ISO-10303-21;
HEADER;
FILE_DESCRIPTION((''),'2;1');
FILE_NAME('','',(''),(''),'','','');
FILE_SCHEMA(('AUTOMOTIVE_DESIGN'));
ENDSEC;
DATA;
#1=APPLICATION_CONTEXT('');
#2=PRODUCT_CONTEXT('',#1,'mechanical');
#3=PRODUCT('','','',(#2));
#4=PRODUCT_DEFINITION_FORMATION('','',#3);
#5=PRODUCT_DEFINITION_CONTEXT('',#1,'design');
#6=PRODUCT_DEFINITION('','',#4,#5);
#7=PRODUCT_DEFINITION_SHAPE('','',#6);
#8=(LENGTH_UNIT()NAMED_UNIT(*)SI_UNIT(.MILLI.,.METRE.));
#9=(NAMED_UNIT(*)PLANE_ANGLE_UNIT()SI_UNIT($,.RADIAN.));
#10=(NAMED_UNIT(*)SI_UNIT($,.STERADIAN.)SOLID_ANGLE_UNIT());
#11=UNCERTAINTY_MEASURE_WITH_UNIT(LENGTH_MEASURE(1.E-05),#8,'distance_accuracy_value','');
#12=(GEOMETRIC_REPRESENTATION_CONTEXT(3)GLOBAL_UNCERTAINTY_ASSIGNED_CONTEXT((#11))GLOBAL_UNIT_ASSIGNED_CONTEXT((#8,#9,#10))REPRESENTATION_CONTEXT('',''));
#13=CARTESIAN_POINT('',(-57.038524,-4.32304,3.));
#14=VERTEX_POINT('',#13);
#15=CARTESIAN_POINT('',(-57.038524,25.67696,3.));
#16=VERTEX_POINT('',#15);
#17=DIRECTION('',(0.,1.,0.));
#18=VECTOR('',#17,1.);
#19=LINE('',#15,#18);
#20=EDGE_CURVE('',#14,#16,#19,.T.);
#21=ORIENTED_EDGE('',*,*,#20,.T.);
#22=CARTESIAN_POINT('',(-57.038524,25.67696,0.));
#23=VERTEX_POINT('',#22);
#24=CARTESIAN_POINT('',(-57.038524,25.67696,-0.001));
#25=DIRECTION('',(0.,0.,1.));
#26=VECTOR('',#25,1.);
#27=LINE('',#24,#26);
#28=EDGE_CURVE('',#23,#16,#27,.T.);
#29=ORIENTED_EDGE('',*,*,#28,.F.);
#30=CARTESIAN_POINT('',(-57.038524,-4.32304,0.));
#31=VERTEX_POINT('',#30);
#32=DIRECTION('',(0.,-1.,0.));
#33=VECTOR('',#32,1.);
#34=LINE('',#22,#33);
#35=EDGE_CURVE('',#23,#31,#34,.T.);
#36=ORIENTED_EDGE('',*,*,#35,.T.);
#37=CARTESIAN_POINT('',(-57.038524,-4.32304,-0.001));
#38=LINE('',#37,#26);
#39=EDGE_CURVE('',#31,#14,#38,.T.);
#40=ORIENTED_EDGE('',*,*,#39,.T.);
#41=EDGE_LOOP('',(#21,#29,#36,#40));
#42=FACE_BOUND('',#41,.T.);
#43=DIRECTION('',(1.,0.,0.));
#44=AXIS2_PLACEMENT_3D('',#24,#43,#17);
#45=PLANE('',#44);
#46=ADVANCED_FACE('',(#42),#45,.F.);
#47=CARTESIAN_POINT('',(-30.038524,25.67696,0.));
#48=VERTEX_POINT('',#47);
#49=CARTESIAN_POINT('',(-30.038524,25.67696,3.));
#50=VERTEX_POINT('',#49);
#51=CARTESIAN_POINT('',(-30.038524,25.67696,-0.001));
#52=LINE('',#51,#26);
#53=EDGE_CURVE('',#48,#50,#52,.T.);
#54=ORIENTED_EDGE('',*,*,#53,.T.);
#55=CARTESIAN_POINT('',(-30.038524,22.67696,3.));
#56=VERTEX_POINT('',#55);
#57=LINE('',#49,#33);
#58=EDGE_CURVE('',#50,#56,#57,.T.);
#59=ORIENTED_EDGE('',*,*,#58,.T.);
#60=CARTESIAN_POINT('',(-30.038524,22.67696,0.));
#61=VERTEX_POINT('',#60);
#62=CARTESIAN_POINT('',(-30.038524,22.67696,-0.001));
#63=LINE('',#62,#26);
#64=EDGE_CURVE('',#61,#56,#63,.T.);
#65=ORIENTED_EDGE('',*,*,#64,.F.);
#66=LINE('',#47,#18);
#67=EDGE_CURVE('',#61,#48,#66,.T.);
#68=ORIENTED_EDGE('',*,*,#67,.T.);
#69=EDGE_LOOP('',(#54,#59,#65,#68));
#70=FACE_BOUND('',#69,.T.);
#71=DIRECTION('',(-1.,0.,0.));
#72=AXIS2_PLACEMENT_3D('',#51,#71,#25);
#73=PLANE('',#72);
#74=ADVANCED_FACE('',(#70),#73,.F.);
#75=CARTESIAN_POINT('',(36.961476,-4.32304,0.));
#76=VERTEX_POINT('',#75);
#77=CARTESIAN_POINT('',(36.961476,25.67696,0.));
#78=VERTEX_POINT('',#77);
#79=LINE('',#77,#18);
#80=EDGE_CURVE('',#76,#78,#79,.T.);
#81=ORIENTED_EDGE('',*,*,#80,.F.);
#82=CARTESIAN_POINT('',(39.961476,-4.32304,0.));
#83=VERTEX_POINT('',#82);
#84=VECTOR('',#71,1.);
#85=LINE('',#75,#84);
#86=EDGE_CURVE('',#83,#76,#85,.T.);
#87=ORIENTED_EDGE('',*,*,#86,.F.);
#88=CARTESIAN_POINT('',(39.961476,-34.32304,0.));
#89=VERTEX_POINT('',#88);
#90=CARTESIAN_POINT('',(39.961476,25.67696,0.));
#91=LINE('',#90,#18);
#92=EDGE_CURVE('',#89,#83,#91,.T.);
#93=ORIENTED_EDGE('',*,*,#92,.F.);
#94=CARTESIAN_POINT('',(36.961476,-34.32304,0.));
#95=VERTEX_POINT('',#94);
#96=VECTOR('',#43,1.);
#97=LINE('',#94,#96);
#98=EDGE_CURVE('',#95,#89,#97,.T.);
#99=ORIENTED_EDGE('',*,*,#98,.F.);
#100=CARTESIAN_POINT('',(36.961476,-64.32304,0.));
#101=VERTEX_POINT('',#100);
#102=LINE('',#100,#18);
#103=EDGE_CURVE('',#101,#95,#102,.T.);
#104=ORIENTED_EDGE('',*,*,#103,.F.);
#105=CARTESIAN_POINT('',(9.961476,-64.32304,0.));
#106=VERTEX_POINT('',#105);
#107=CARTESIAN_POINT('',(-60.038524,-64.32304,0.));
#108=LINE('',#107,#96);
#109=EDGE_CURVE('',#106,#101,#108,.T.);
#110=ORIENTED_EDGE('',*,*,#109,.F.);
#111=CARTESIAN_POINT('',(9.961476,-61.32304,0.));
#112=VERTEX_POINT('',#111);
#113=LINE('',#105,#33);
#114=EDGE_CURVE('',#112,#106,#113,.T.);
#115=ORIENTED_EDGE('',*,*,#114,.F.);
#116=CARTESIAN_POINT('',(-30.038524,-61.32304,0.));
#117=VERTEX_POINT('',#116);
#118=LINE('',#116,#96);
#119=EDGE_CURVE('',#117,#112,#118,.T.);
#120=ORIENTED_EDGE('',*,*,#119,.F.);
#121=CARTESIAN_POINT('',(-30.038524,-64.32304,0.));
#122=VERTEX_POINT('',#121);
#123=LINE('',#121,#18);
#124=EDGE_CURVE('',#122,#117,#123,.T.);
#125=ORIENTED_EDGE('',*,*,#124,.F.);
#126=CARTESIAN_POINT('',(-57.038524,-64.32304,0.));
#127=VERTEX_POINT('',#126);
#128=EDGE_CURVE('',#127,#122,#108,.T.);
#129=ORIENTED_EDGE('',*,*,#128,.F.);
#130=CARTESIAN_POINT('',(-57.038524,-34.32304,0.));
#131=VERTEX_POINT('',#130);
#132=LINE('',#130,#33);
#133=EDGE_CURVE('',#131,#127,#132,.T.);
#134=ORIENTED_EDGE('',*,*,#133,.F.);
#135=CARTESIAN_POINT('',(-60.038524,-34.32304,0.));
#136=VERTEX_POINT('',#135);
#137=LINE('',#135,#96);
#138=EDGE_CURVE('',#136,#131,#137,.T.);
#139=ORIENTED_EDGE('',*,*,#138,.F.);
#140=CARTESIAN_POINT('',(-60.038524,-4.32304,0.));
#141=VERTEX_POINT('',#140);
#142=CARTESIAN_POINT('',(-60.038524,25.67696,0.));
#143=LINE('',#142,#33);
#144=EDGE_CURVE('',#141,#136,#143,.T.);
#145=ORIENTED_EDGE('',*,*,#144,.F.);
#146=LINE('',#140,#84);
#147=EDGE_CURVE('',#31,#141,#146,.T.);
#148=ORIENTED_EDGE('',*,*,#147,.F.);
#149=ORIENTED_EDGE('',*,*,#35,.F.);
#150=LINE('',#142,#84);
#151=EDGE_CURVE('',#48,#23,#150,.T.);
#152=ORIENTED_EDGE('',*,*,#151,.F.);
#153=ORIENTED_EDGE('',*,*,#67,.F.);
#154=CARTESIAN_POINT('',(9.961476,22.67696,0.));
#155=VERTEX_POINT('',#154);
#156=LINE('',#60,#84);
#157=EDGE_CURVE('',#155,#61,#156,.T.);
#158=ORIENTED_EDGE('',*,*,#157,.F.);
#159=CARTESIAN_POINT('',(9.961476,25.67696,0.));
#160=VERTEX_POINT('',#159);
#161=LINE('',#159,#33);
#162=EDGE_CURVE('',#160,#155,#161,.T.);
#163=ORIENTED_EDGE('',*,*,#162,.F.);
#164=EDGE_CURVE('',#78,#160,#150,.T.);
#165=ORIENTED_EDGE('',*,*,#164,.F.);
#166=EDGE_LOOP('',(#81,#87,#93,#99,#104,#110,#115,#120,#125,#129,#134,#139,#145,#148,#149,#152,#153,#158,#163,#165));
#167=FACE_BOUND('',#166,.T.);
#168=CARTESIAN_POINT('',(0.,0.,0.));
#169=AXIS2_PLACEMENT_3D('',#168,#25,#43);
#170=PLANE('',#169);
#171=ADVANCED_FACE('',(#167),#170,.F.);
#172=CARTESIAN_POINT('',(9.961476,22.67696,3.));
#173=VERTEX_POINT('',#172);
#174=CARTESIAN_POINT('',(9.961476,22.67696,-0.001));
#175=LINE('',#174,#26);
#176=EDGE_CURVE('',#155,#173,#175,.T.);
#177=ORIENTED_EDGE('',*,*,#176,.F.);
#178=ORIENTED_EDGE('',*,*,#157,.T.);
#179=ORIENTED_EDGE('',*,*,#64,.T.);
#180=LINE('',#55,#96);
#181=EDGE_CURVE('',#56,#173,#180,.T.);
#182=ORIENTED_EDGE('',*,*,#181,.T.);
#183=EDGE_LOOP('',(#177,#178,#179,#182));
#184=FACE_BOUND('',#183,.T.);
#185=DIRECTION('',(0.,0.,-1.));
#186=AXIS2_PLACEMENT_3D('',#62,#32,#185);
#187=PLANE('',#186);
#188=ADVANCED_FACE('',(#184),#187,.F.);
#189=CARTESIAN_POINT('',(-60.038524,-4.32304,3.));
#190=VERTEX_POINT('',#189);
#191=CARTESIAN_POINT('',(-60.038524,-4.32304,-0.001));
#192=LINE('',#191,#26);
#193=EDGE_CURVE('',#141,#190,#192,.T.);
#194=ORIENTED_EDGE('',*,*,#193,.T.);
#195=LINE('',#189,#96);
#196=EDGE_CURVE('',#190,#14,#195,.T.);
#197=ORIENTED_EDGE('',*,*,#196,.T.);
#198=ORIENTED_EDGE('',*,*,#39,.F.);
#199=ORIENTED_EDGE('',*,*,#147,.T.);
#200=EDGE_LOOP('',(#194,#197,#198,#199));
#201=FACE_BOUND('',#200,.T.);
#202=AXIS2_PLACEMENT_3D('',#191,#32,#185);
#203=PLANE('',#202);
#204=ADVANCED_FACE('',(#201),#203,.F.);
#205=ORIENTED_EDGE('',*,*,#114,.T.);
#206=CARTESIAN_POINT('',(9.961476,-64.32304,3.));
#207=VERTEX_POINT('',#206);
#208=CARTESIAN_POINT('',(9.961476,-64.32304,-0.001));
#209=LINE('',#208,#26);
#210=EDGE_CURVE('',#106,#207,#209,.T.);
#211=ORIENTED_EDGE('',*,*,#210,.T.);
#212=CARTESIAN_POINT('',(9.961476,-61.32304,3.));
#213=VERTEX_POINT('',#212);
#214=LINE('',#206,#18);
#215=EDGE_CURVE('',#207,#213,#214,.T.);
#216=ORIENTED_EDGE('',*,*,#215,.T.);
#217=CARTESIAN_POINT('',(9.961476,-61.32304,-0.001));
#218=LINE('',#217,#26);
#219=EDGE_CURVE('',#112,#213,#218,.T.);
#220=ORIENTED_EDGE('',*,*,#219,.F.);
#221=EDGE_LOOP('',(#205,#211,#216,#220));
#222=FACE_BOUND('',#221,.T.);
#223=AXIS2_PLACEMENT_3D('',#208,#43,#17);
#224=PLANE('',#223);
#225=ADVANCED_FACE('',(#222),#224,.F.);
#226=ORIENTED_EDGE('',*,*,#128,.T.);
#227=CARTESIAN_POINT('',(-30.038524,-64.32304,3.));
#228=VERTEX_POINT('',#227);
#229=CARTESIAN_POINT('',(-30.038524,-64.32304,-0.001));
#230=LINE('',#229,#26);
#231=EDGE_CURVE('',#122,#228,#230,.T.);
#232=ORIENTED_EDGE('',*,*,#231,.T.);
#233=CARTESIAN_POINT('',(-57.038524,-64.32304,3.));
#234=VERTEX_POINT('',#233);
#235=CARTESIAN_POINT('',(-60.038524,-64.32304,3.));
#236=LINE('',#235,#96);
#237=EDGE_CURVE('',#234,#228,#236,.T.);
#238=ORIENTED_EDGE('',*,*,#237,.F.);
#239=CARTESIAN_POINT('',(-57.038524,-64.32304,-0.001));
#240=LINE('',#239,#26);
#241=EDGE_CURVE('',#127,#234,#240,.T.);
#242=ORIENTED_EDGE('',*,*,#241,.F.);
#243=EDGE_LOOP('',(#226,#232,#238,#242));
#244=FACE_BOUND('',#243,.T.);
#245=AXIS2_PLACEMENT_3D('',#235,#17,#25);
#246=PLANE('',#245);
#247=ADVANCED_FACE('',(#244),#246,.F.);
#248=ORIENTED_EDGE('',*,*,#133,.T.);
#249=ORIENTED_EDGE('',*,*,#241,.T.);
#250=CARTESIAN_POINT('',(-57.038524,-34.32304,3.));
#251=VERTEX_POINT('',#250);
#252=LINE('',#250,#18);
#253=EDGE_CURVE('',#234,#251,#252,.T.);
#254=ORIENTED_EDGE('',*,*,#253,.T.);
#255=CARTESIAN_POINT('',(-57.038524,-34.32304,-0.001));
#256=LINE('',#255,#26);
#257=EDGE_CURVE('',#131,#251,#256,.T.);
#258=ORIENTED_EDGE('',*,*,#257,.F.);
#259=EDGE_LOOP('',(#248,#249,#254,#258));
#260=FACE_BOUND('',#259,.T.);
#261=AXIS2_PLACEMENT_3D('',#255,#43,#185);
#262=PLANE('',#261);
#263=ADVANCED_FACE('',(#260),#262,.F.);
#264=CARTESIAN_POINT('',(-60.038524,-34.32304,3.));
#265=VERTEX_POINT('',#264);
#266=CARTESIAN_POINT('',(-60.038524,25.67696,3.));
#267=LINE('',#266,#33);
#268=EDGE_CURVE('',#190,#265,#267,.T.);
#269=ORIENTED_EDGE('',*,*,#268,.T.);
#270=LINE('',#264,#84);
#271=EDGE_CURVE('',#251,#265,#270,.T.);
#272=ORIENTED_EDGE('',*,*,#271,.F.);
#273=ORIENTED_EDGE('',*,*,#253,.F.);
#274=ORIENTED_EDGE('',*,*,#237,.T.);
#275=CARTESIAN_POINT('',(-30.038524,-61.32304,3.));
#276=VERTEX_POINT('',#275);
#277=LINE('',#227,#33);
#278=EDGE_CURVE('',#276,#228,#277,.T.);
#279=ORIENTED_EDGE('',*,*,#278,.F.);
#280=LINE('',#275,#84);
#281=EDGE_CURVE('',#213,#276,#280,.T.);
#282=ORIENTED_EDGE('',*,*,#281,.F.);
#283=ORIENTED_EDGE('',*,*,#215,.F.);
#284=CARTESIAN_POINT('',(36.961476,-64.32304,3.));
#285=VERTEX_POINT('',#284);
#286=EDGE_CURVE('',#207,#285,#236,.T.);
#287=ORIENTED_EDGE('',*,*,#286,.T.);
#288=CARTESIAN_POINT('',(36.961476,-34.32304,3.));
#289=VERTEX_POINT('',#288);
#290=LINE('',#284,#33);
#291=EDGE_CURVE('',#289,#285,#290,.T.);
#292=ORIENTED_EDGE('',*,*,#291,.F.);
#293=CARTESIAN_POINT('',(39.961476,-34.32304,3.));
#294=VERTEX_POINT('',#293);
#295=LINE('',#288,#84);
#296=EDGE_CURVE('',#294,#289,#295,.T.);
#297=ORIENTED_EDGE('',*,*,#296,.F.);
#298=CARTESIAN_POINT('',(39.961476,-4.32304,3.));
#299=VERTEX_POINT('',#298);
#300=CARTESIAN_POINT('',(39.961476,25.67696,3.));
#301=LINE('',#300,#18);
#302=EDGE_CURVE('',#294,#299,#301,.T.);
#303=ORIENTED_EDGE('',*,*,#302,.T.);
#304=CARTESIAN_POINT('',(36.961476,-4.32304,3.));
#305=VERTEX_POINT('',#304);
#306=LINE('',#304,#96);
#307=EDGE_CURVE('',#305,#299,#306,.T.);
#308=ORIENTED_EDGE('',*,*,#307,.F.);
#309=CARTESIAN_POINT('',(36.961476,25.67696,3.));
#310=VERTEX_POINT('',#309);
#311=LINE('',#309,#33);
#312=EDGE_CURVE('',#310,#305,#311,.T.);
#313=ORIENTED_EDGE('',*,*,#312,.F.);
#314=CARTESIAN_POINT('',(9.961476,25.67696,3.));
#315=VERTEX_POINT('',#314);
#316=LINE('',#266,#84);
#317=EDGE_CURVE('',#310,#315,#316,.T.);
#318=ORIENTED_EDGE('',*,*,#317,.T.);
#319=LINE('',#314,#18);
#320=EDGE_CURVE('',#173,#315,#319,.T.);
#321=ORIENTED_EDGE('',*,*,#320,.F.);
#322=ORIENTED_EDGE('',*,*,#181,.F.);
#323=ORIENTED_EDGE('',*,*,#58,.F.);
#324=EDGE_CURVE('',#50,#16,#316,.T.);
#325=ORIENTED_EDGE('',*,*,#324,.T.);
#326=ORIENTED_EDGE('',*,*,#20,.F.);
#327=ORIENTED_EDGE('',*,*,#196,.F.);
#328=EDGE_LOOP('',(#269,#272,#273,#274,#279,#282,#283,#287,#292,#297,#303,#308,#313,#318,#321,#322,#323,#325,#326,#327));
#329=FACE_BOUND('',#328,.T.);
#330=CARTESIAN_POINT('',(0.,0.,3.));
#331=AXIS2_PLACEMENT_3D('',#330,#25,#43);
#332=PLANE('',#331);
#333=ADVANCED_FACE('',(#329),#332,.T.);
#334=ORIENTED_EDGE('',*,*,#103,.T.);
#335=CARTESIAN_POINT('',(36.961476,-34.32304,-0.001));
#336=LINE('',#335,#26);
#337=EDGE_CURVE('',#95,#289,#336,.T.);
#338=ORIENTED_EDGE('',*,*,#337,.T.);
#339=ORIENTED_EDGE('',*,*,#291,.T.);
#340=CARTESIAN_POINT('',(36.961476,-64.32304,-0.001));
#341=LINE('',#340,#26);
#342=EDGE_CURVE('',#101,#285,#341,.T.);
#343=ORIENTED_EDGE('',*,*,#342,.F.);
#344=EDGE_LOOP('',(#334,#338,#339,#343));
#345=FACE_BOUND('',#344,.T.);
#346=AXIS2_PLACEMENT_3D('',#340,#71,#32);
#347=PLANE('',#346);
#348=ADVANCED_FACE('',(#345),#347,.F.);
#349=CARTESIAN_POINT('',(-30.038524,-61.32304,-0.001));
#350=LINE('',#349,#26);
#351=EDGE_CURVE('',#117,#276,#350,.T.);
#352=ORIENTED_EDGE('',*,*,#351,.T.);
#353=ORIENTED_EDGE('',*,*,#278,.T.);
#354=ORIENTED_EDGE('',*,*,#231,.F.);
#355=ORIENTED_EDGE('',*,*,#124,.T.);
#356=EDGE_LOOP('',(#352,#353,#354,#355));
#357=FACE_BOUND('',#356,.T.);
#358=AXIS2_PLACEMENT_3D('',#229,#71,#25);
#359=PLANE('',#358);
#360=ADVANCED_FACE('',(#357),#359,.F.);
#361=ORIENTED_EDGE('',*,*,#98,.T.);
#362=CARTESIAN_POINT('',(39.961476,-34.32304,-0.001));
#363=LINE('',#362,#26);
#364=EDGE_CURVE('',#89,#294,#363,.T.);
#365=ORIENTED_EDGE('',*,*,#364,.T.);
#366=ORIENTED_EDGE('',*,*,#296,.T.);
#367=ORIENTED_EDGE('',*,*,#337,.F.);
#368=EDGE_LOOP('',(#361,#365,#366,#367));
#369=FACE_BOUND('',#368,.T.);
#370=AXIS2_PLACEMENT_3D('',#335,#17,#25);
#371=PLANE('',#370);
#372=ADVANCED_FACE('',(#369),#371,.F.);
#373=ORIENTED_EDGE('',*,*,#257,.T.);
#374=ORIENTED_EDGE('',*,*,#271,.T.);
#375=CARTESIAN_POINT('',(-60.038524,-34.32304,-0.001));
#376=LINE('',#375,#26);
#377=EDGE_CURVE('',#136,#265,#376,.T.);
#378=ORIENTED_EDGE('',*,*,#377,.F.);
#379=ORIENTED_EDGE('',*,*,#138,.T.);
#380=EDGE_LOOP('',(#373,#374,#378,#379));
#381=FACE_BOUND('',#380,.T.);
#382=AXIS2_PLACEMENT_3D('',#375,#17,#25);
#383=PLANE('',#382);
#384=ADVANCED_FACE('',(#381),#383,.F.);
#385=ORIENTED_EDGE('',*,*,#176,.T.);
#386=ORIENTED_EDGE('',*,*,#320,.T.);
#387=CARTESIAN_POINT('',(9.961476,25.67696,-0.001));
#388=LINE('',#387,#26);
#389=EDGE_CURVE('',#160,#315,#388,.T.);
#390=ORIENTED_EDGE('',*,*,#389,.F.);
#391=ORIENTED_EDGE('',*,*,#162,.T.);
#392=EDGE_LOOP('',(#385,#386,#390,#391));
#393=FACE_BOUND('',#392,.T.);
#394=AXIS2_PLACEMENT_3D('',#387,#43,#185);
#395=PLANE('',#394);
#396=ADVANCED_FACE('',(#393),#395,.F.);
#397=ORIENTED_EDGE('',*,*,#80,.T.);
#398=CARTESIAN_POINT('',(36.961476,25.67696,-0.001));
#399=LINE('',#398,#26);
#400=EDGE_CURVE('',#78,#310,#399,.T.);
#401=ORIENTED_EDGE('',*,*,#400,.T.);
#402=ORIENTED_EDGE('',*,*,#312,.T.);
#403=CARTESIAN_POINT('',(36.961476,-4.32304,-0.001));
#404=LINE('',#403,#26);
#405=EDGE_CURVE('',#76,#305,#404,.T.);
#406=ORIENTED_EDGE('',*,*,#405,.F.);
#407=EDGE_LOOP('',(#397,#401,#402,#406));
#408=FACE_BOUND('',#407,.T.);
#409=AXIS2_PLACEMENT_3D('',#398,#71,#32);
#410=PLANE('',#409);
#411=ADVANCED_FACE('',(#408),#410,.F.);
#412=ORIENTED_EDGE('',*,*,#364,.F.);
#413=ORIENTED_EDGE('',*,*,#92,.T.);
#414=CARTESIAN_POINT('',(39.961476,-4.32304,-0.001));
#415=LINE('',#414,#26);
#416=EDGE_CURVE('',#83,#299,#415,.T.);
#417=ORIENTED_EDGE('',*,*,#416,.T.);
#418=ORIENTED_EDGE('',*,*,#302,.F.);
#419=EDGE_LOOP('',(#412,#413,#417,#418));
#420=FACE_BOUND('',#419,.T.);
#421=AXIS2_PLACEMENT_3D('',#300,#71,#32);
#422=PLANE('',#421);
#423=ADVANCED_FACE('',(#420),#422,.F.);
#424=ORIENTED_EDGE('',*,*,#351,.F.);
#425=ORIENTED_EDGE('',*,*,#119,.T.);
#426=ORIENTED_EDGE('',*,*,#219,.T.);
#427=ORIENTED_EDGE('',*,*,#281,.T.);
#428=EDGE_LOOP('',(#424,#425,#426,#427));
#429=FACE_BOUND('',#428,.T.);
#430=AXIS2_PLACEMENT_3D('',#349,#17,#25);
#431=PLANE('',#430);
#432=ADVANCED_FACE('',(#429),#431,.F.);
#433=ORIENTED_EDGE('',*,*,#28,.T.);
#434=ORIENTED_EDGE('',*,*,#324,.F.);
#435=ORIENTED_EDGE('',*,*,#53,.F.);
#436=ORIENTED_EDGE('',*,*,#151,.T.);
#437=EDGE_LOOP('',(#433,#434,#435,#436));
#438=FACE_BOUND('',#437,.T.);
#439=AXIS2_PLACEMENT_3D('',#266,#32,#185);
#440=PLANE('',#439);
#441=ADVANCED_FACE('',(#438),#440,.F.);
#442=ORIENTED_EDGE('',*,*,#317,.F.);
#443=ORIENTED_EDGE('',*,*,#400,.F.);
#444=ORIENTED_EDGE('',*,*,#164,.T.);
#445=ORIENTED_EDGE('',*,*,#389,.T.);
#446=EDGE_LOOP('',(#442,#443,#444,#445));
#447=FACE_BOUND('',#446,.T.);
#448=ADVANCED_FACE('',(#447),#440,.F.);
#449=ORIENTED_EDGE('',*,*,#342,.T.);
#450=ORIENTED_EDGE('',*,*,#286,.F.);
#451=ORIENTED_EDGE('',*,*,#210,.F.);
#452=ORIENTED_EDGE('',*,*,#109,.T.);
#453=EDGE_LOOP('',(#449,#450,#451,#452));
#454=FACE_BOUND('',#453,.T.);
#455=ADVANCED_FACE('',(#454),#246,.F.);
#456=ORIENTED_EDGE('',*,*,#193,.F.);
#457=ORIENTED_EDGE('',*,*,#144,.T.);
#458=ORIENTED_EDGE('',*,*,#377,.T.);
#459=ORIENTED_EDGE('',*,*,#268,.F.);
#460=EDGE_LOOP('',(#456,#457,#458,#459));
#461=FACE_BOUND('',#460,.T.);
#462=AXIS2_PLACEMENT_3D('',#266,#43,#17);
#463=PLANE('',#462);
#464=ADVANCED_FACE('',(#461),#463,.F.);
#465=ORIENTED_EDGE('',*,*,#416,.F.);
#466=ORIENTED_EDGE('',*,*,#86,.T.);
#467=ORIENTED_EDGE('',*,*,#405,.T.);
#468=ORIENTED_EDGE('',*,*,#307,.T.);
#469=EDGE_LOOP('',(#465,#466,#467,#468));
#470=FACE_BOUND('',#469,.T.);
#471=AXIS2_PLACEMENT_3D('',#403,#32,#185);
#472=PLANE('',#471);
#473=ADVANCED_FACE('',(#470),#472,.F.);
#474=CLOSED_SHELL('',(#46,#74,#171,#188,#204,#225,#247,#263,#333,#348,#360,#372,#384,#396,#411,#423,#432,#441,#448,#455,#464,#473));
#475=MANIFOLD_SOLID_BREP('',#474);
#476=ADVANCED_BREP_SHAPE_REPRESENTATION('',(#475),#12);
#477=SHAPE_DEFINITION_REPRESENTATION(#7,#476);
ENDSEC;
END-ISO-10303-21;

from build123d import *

# Parameters (mm, degrees)
ESQUISSE1_W             = 100
ESQUISSE1_H             = 90
BOSS_EXTRU_1_DEPTH      = 3
ENL_V_MAT_EXTRU_1_REACH = 90.04
ESQUISSE2_W             = 40
ESQUISSE2_H             = 3
ESQUISSE2_W_2           = 3
ESQUISSE2_H_2           = 30


with BuildPart() as part:
    # Esquisse1 → Boss.-Extru.1 (new body)
    with BuildSketch(Plane.XY):
        with Locations((-10.038524431, -19.32304038)):
            Rectangle(ESQUISSE1_W, ESQUISSE1_H)
    extrude(amount=BOSS_EXTRU_1_DEPTH)

    # Esquisse2 → Enlèv. mat.-Extru.1 (cut, up to next)
    with BuildSketch(Plane.XY.offset(3), mode=Mode.PRIVATE) as enl_v_mat_extru_1_sk1:
        with Locations((-10.038524431, 24.17695962)):
            Rectangle(ESQUISSE2_W, ESQUISSE2_H)
    enl_v_mat_extru_1_tool1 = extrude(enl_v_mat_extru_1_sk1.sketch, amount=-ENL_V_MAT_EXTRU_1_REACH, mode=Mode.PRIVATE) & part.part
    # Esquisse2 → Enlèv. mat.-Extru.1 (cut, up to next)
    with BuildSketch(Plane.XY.offset(3), mode=Mode.PRIVATE) as enl_v_mat_extru_1_sk2:
        with Locations((-58.538524431, 10.67695962)):
            Rectangle(ESQUISSE2_W_2, ESQUISSE2_H_2)
    enl_v_mat_extru_1_tool2 = extrude(enl_v_mat_extru_1_sk2.sketch, amount=-ENL_V_MAT_EXTRU_1_REACH, mode=Mode.PRIVATE) & part.part
    # Esquisse2 → Enlèv. mat.-Extru.1 (cut, up to next)
    with BuildSketch(Plane.XY.offset(3), mode=Mode.PRIVATE) as enl_v_mat_extru_1_sk3:
        with Locations((-58.538524431, -49.32304038)):
            Rectangle(ESQUISSE2_W_2, ESQUISSE2_H_2)
    enl_v_mat_extru_1_tool3 = extrude(enl_v_mat_extru_1_sk3.sketch, amount=-ENL_V_MAT_EXTRU_1_REACH, mode=Mode.PRIVATE) & part.part
    # Esquisse2 → Enlèv. mat.-Extru.1 (cut, up to next)
    with BuildSketch(Plane.XY.offset(3), mode=Mode.PRIVATE) as enl_v_mat_extru_1_sk4:
        with Locations((-10.038524431, -62.82304038)):
            Rectangle(ESQUISSE2_W, ESQUISSE2_H)
    enl_v_mat_extru_1_tool4 = extrude(enl_v_mat_extru_1_sk4.sketch, amount=-ENL_V_MAT_EXTRU_1_REACH, mode=Mode.PRIVATE) & part.part
    # Esquisse2 → Enlèv. mat.-Extru.1 (cut, up to next)
    with BuildSketch(Plane.XY.offset(3), mode=Mode.PRIVATE) as enl_v_mat_extru_1_sk5:
        with Locations((38.461475569, -49.32304038)):
            Rectangle(ESQUISSE2_W_2, ESQUISSE2_H_2)
    enl_v_mat_extru_1_tool5 = extrude(enl_v_mat_extru_1_sk5.sketch, amount=-ENL_V_MAT_EXTRU_1_REACH, mode=Mode.PRIVATE) & part.part
    # Esquisse2 → Enlèv. mat.-Extru.1 (cut, up to next)
    with BuildSketch(Plane.XY.offset(3), mode=Mode.PRIVATE) as enl_v_mat_extru_1_sk6:
        with Locations((38.461475569, 10.67695962)):
            Rectangle(ESQUISSE2_W_2, ESQUISSE2_H_2)
    enl_v_mat_extru_1_tool6 = extrude(enl_v_mat_extru_1_sk6.sketch, amount=-ENL_V_MAT_EXTRU_1_REACH, mode=Mode.PRIVATE) & part.part
    add(enl_v_mat_extru_1_tool1.solids().sort_by_distance((-10.038524, 24.17696, 3))[0], mode=Mode.SUBTRACT)
    add(enl_v_mat_extru_1_tool2.solids().sort_by_distance((-58.538524, 10.67696, 3))[0], mode=Mode.SUBTRACT)
    add(enl_v_mat_extru_1_tool3.solids().sort_by_distance((-58.538524, -49.32304, 3))[0], mode=Mode.SUBTRACT)
    add(enl_v_mat_extru_1_tool4.solids().sort_by_distance((-10.038524, -62.82304, 3))[0], mode=Mode.SUBTRACT)
    add(enl_v_mat_extru_1_tool5.solids().sort_by_distance((38.461476, -49.32304, 3))[0], mode=Mode.SUBTRACT)
    add(enl_v_mat_extru_1_tool6.solids().sort_by_distance((38.461476, 10.67696, 3))[0], mode=Mode.SUBTRACT)


solid = part.part
